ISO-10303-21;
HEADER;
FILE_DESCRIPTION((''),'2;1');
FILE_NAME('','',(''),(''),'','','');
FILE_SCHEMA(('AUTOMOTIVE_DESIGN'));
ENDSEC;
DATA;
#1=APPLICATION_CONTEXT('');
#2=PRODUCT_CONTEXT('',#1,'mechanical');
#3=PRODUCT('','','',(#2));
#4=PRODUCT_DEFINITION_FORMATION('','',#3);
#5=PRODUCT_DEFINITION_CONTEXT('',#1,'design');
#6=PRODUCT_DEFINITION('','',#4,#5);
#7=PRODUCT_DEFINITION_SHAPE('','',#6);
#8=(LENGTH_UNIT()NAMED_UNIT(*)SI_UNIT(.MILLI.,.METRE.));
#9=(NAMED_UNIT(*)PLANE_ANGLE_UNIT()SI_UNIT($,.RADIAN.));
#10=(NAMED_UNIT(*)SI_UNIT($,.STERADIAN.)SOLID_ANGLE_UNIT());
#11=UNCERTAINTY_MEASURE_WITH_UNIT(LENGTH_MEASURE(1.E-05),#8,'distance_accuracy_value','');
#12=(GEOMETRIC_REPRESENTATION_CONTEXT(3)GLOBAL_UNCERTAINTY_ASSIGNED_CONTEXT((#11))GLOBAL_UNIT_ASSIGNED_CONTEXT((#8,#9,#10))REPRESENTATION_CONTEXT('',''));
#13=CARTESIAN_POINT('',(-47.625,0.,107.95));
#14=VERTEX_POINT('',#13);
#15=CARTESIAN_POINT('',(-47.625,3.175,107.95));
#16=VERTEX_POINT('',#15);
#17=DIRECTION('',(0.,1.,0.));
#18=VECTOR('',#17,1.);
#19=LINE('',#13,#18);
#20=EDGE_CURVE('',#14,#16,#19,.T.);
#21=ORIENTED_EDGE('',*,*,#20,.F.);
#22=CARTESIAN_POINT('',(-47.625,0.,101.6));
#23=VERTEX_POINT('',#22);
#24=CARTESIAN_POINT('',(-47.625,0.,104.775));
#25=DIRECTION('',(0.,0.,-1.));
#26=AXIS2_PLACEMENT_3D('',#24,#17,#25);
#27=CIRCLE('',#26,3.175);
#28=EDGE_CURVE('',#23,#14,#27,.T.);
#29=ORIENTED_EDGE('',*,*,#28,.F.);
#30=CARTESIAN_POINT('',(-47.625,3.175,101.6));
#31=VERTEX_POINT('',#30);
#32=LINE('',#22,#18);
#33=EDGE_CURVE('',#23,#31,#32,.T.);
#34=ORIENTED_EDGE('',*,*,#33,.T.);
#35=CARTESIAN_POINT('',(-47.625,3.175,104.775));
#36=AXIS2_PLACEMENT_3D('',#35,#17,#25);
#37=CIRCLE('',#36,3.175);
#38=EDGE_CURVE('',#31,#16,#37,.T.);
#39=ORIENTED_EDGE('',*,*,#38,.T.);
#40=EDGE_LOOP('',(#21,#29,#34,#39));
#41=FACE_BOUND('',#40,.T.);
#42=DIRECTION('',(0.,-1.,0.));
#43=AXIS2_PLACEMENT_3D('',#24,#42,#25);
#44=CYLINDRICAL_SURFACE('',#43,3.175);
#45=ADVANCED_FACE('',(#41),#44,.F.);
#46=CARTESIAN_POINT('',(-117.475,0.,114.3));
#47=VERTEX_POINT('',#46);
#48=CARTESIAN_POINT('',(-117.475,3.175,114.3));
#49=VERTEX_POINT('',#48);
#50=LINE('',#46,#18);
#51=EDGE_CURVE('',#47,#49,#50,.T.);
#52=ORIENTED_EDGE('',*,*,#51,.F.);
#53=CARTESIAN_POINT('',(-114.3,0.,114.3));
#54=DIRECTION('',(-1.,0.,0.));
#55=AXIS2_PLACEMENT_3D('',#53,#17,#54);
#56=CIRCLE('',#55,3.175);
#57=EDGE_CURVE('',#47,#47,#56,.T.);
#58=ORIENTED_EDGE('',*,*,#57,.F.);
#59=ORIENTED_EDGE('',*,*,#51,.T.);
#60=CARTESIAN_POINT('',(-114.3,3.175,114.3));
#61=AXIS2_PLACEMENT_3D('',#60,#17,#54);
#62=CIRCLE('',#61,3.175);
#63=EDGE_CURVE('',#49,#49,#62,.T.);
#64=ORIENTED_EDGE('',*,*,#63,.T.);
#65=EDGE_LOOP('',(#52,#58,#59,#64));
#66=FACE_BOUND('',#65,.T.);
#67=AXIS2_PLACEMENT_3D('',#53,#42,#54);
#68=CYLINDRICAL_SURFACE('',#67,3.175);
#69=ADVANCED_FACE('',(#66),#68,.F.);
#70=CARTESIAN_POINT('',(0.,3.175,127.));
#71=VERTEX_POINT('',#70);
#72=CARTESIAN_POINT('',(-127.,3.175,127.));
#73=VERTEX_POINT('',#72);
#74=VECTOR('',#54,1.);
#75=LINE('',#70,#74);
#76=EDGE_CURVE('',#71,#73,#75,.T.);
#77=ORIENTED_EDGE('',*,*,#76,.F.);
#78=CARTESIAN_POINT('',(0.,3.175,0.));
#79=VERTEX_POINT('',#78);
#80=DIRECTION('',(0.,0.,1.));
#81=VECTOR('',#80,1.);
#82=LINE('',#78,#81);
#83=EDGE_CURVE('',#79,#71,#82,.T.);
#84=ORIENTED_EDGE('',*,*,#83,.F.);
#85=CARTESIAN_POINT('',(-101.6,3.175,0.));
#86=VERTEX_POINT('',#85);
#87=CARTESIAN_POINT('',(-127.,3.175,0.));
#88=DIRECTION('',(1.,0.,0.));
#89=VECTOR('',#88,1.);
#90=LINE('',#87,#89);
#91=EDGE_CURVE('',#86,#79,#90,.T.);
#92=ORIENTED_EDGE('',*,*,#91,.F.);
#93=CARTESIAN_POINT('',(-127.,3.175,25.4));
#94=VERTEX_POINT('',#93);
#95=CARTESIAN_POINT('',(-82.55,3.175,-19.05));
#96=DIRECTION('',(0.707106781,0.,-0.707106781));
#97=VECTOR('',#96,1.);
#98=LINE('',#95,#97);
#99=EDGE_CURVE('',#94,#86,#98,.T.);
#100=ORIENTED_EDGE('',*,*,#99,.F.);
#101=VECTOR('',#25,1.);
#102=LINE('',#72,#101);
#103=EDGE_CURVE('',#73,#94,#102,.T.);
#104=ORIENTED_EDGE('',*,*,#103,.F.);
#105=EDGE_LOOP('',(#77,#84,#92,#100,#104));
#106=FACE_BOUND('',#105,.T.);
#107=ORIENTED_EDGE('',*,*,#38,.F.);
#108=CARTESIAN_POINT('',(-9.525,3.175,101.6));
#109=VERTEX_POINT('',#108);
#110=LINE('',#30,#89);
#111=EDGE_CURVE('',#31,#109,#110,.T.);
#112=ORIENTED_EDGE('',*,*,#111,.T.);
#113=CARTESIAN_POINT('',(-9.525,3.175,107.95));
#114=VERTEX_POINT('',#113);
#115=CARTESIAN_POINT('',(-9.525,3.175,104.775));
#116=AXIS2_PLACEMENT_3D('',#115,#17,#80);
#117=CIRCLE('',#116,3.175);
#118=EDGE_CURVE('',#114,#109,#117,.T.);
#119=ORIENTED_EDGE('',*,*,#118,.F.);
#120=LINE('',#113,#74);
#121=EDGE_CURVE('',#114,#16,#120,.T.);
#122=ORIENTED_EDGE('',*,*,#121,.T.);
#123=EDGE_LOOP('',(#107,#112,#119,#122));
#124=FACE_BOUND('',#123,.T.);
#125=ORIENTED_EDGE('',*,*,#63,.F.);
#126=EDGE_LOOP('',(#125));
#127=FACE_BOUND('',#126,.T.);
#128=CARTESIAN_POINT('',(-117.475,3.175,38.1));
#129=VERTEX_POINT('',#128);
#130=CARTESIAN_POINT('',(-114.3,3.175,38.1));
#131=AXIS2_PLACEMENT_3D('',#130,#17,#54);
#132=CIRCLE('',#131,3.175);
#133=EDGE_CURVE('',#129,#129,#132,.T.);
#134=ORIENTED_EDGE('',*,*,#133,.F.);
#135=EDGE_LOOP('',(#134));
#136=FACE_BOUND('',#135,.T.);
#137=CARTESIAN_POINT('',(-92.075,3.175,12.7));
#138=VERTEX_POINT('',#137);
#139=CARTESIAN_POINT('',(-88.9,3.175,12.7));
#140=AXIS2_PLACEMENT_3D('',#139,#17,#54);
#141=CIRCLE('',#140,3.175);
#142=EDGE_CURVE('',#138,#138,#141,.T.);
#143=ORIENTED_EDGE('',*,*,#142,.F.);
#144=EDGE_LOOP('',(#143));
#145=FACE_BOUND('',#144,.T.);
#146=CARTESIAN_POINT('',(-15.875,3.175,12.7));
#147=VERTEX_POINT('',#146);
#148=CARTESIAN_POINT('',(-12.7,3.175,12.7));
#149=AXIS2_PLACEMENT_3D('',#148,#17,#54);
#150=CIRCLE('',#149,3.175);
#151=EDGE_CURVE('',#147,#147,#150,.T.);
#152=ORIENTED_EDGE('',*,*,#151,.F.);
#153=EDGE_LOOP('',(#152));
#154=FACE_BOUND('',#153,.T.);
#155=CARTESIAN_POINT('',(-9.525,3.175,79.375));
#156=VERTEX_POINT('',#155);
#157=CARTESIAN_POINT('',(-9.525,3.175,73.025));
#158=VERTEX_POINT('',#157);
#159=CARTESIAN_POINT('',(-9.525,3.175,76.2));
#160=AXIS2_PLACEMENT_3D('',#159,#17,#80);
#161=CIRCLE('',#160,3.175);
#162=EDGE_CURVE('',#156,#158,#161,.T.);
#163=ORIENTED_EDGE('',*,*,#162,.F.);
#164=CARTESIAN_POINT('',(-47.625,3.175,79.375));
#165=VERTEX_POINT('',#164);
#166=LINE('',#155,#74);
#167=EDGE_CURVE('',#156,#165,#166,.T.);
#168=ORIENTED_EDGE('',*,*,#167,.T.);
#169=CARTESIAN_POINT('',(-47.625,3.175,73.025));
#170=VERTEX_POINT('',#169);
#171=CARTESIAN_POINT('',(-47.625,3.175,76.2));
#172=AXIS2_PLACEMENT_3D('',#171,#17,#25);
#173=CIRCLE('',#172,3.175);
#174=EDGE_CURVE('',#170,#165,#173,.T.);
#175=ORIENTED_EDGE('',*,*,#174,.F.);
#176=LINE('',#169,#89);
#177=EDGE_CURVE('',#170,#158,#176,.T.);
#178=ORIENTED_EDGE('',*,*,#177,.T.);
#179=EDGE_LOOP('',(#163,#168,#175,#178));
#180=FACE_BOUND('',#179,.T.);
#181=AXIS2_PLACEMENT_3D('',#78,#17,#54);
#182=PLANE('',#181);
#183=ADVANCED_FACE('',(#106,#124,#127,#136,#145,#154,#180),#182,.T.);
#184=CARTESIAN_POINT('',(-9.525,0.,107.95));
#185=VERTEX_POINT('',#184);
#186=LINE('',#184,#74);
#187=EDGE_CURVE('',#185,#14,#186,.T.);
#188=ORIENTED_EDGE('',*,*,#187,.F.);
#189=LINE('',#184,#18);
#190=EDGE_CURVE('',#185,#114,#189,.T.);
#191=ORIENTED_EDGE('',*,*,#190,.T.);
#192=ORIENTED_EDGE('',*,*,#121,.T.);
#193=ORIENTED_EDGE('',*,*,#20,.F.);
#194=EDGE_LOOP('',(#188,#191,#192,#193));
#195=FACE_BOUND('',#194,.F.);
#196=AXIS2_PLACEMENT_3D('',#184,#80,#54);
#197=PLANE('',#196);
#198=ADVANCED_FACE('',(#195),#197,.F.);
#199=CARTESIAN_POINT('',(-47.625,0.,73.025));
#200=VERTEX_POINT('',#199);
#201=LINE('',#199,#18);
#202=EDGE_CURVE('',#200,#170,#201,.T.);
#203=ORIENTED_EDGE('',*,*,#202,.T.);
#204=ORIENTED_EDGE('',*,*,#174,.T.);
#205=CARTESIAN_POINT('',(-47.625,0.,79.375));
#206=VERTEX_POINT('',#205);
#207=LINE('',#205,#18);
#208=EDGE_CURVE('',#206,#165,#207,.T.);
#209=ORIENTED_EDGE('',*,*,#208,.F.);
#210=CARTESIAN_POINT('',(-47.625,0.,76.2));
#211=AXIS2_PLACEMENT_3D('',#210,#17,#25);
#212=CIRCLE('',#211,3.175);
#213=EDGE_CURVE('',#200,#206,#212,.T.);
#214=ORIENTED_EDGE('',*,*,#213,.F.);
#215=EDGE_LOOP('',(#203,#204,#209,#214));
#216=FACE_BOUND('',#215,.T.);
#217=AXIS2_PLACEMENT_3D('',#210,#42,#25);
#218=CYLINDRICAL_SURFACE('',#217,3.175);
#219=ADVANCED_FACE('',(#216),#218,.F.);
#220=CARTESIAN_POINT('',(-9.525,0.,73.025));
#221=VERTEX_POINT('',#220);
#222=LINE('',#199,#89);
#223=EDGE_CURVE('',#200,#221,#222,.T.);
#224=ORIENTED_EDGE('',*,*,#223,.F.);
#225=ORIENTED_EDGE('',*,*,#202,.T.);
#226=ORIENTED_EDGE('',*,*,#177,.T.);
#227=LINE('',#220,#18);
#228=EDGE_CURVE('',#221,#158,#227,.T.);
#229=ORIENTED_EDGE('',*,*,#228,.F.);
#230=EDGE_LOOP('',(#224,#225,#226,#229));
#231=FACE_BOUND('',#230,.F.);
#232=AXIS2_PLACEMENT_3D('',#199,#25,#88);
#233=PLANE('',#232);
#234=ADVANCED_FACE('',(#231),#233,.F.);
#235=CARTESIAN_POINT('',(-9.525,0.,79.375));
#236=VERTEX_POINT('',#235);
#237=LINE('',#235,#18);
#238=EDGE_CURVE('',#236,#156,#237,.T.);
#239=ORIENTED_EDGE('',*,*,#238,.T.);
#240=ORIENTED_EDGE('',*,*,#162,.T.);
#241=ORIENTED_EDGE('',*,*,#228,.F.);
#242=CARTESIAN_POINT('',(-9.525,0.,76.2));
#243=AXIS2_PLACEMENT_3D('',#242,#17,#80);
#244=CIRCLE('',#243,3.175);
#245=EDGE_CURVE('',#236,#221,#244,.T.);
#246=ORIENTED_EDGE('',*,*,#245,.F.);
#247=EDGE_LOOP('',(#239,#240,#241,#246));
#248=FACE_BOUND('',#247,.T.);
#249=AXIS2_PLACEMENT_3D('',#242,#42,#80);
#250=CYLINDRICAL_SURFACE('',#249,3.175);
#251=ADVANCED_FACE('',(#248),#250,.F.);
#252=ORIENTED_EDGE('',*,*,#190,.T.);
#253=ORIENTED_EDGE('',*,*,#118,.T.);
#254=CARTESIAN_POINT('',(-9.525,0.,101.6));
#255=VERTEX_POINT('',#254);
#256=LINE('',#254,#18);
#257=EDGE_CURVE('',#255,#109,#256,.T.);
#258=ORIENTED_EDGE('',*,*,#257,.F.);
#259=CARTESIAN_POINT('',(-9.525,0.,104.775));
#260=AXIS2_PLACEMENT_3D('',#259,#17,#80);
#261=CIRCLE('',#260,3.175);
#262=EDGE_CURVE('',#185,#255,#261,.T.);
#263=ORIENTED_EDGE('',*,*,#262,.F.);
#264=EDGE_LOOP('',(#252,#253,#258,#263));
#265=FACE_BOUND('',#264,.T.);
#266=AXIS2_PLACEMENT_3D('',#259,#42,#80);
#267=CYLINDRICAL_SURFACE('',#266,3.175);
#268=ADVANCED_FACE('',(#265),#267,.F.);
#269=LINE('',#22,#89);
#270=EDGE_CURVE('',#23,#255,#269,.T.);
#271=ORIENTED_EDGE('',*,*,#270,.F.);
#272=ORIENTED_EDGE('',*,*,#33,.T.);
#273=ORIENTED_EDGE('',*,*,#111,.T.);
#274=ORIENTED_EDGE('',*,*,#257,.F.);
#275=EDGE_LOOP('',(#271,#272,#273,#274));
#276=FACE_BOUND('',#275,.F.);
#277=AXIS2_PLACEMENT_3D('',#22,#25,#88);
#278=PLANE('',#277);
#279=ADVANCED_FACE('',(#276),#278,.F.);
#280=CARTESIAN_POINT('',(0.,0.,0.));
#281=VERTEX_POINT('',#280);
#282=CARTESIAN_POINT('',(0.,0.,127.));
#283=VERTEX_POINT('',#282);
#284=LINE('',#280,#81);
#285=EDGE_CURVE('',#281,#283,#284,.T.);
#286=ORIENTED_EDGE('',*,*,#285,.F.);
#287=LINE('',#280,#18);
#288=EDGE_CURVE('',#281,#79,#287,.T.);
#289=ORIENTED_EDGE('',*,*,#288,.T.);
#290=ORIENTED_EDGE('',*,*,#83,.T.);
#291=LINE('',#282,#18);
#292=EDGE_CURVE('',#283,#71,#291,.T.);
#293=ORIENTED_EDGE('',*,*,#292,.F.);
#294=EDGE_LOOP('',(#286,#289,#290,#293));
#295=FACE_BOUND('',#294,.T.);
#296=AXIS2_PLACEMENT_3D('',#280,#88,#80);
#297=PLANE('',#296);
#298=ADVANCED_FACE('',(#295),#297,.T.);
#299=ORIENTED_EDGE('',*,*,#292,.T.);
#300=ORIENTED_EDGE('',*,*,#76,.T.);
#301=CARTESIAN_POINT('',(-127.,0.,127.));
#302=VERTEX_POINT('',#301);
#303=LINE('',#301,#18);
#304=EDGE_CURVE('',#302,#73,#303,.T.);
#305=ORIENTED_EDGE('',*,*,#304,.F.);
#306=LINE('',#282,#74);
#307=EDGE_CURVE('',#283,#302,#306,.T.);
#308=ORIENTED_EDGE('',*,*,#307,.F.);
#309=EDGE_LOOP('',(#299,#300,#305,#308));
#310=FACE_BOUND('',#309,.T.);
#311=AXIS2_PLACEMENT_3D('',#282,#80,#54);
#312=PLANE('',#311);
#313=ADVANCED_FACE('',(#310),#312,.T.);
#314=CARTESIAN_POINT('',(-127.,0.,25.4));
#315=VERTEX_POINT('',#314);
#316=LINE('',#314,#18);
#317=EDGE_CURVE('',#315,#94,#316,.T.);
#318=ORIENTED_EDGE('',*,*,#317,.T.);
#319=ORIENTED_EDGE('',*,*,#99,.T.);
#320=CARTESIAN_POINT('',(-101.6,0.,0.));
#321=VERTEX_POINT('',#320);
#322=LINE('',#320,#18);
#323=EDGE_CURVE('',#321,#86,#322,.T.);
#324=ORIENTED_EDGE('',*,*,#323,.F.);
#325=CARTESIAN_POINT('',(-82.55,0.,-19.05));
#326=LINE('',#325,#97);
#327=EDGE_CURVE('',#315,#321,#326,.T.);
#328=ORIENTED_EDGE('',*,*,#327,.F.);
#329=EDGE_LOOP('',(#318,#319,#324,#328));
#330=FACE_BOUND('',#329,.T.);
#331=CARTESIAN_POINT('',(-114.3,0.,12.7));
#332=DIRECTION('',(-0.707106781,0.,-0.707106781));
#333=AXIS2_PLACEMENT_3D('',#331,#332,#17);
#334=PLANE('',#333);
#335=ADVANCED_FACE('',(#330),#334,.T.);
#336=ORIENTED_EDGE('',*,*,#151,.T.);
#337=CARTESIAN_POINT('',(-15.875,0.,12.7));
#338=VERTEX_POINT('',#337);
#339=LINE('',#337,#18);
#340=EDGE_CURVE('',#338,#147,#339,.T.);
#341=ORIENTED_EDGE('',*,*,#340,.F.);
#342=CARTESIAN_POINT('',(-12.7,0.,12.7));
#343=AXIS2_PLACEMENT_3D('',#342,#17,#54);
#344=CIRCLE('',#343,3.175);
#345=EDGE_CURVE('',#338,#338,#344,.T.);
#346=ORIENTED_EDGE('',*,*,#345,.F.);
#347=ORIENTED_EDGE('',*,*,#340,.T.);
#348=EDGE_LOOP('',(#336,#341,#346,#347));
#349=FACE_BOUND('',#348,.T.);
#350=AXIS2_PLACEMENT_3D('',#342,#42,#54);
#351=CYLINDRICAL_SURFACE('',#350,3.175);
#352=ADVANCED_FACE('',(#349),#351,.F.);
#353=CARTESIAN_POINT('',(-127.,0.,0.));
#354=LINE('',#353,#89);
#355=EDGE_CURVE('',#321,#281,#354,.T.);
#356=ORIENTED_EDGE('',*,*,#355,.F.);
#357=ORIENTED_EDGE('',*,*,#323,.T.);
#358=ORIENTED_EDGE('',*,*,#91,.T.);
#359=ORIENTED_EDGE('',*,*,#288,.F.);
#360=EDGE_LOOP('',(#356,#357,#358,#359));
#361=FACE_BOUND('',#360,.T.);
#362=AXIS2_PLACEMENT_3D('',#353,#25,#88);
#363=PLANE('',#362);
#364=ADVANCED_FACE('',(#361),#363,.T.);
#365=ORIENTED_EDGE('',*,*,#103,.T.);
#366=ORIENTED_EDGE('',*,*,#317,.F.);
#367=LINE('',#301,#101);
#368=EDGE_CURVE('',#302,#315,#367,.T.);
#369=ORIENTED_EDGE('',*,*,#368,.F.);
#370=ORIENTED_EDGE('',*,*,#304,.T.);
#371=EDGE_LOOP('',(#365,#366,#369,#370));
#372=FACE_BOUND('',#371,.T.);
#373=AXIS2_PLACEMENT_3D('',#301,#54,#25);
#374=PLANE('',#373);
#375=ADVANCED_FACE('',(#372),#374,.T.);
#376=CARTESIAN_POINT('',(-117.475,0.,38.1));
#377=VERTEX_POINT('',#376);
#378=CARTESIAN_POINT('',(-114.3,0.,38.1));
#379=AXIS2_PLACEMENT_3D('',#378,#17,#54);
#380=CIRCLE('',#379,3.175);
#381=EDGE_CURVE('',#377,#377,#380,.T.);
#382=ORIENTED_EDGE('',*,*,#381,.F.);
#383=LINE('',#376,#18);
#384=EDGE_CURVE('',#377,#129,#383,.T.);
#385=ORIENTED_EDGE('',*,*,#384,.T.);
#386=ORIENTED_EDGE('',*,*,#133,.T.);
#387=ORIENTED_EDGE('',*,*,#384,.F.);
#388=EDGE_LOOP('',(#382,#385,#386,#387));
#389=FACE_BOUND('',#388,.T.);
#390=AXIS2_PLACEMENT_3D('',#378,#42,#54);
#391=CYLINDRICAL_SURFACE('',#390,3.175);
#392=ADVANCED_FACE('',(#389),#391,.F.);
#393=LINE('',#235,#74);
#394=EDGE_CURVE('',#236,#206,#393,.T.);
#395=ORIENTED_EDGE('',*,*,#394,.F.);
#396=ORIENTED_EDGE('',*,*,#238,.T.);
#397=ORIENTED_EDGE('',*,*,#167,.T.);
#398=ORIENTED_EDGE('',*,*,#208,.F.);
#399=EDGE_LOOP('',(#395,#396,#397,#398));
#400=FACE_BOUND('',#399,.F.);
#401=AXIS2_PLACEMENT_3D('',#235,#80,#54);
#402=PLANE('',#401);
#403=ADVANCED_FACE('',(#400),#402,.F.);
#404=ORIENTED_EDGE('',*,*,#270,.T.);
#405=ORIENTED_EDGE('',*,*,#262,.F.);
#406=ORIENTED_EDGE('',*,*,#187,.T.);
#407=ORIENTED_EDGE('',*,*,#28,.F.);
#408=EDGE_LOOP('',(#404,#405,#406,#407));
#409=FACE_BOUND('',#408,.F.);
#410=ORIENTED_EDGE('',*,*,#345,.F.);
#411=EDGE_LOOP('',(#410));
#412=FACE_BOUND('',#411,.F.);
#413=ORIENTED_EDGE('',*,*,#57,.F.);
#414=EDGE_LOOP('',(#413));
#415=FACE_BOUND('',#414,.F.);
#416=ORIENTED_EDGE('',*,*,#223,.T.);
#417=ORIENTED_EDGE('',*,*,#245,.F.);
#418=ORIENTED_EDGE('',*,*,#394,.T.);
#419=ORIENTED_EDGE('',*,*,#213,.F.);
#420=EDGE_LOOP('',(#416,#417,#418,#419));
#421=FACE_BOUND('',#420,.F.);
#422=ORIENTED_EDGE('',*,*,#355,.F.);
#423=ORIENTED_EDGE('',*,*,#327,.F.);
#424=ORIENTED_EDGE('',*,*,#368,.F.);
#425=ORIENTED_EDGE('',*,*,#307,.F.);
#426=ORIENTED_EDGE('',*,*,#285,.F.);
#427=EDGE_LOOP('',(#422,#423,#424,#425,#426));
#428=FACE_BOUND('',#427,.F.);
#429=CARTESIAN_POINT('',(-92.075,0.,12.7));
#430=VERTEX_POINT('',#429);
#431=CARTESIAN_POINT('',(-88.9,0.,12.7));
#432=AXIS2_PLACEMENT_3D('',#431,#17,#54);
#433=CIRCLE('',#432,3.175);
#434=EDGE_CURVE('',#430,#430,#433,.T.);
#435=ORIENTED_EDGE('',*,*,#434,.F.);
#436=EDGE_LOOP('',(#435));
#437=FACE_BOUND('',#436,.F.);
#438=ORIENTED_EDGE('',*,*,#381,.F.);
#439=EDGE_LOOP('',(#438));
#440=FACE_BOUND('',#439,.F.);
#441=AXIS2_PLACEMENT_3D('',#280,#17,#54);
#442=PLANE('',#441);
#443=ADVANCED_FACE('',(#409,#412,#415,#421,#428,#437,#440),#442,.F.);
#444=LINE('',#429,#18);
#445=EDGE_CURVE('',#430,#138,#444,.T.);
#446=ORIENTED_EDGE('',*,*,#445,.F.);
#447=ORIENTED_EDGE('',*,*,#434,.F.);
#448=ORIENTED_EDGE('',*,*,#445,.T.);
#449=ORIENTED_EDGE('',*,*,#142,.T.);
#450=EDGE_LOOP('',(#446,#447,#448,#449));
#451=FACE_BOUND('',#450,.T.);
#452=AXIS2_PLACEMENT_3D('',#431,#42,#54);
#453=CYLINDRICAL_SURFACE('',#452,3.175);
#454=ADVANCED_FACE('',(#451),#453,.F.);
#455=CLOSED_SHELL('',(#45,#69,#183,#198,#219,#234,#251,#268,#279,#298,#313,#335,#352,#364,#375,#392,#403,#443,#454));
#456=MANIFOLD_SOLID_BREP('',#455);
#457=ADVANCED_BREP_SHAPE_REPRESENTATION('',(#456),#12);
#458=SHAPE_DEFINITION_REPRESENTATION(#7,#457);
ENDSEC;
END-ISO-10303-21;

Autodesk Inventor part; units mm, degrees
ref_plane "YZ Plane" through (0, 0, 0) normal (1, 0, 0) x (0, 1, 0)
ref_plane "XZ Plane" through (0, 0, 0) normal (0, 1, 0) x (-1, 0, 0)
ref_plane "XY Plane" through (0, 0, 0) normal (0, 0, 1) x (1, 0, 0)
sketch "Sketch2" plane through (0, 0, 0) normal (0, 1, 0) x (-1, 0, 0)
  line L0 (0, 0) -> (0, 127)
  line L1 (0, 127) -> (127, 127)
  line L2 (127, 127) -> (127, 0)
  line L3 (127, 0) -> (0, 0)
  arc A0 (9.525, 107.95) -> (9.525, 101.6) centre (9.525, 104.775) ccw
  arc A1 (47.625, 101.6) -> (47.625, 107.95) centre (47.625, 104.775) ccw
  arc A2 (47.625, 73.025) -> (47.625, 79.375) centre (47.625, 76.2) ccw
  arc A3 (9.525, 79.375) -> (9.525, 73.025) centre (9.525, 76.2) ccw
  line L4 (9.525, 79.375) -> (47.625, 79.375)
  line L5 (47.625, 73.025) -> (9.525, 73.025)
  line L6 (9.525, 107.95) -> (47.625, 107.95)
  line L7 (47.625, 101.6) -> (9.525, 101.6)
  line L8 (9.525, 104.775) -> (9.525, 76.2) construction
  circle A4 centre (114.3, 114.3) radius 3.175
  circle A5 centre (114.3, 38.1) radius 3.175
  circle A6 centre (12.7, 12.7) radius 3.175
  circle A7 centre (88.9, 12.7) radius 3.175
  line L9 (114.3, 114.3) -> (114.3, 38.1) construction
  line L10 (12.7, 12.7) -> (88.9, 12.7) construction
  dimension "d7" = 127
  dimension "d18" = 38.1
  dimension "d19" = 79.375
  dimension "d22" = 12.7
  dimension "d23" = 76.2
  dimension "d24" = 76.2
  dimension "d25" = 6.35
  dimension "d28" = 12.7
  dimension "d29" = 12.7
  dimension "d30" = 38.1
  dimension "d31" = 127
  dimension "d32" = 9.525
  dimension "d36" = 12.7
  dimension "d39" = 22.225
  dimension "d40" = 28.575
  dimension "d41" = 76.2
extrude "Extrusion3" add sketch "Sketch2" along normal blind 3.175
chamfer "Chamfer1" distance 25.4 angle 45 1 edges at (-127, 1.5875, 0)
properties part number "GearboxMountPlate" material "Aluminum-6061"
